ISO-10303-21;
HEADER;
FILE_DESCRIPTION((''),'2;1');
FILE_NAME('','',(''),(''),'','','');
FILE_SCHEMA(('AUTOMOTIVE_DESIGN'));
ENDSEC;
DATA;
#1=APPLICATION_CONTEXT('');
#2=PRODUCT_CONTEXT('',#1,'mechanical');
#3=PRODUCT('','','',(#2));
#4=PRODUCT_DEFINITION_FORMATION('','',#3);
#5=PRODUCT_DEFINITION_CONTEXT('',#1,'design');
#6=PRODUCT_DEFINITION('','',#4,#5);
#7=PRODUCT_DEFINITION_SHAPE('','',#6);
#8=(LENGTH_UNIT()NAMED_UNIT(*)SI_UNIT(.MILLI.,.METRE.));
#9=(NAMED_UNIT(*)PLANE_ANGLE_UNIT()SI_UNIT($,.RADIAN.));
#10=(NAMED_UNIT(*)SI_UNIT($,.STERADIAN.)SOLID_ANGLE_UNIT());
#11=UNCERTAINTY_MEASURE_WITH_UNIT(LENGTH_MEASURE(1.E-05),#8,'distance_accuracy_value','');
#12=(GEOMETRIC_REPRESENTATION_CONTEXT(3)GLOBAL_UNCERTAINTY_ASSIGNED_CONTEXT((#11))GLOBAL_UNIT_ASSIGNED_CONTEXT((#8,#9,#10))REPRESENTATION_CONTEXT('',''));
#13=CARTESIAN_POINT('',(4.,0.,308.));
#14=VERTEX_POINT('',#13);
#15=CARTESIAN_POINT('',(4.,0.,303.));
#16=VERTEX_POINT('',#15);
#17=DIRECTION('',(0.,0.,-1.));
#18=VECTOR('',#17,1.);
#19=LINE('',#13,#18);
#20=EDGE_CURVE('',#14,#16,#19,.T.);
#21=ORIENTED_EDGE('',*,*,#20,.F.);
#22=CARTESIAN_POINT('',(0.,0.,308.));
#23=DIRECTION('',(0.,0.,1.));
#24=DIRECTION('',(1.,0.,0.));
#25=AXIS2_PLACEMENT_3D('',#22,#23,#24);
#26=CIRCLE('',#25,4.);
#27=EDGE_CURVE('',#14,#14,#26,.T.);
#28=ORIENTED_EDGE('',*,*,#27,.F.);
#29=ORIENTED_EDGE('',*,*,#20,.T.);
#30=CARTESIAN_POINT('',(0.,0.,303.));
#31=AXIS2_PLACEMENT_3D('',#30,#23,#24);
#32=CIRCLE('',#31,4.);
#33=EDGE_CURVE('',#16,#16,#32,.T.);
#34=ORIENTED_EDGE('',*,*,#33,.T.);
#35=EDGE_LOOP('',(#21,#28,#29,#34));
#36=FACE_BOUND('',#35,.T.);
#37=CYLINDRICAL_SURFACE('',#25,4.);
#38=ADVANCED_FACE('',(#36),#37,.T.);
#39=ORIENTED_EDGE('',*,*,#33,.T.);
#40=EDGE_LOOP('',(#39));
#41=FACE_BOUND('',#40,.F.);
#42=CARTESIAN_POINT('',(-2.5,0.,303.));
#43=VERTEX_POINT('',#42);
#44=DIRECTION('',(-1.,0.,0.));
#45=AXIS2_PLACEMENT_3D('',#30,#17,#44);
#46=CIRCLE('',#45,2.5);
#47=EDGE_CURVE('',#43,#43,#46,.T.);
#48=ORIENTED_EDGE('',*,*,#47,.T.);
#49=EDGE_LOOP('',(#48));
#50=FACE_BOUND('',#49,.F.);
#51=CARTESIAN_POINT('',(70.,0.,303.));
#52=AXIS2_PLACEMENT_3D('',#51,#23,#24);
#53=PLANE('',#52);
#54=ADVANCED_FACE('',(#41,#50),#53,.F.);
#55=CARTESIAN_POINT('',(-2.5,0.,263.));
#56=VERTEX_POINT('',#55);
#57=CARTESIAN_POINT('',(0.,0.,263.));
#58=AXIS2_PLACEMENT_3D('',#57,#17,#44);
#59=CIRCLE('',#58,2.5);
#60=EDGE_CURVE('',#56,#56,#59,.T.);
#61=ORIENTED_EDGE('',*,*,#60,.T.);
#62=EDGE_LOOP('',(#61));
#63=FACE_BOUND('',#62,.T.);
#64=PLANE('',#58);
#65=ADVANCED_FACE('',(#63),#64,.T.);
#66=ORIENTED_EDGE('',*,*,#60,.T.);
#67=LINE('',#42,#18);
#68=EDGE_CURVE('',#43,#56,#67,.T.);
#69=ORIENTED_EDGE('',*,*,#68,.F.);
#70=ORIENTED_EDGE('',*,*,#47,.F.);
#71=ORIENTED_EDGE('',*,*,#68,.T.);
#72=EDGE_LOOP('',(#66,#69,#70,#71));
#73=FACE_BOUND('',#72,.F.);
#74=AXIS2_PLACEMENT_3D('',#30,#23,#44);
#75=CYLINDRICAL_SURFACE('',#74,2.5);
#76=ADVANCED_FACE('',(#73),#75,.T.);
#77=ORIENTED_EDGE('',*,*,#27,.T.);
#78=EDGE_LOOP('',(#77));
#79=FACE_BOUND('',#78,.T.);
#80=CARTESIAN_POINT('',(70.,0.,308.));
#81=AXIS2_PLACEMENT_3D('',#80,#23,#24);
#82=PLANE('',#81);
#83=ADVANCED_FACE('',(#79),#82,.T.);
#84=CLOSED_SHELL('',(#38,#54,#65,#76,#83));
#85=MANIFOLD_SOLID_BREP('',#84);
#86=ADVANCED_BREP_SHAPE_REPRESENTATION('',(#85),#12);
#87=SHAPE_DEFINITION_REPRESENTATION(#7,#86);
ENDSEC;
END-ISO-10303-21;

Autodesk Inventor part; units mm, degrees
ref_plane "YZ Plane" through (0, 0, 0) normal (1, 0, 0) x (0, 1, 0)
ref_plane "XZ Plane" through (0, 0, 0) normal (0, 1, 0) x (-1, 0, 0)
ref_plane "Work Plane1" through (70, 0, 308) normal (0, 0, 1) x (1, 0, 0)
sketch "Sketch1" plane through (70, 0, 308) normal (0, 0, 1) x (1, 0, 0)
  circle A0 centre (-70, 0) radius 4
  point P0 (-70, 0)
  dimension "d0" = 8
extrude "Extrusion1" add sketch "Sketch1" against normal blind 5
sketch "Sketch2" plane through (0, 0, 303) normal (0, 0, -1) x (-1, 0, 0)
  circle A0 centre (0, 0) radius 2.5
  point P0 (0, 0)
  dimension "d3" = 5
extrude "Extrusion2" add sketch "Sketch2" along normal blind 40
properties part number "base_bolt"
